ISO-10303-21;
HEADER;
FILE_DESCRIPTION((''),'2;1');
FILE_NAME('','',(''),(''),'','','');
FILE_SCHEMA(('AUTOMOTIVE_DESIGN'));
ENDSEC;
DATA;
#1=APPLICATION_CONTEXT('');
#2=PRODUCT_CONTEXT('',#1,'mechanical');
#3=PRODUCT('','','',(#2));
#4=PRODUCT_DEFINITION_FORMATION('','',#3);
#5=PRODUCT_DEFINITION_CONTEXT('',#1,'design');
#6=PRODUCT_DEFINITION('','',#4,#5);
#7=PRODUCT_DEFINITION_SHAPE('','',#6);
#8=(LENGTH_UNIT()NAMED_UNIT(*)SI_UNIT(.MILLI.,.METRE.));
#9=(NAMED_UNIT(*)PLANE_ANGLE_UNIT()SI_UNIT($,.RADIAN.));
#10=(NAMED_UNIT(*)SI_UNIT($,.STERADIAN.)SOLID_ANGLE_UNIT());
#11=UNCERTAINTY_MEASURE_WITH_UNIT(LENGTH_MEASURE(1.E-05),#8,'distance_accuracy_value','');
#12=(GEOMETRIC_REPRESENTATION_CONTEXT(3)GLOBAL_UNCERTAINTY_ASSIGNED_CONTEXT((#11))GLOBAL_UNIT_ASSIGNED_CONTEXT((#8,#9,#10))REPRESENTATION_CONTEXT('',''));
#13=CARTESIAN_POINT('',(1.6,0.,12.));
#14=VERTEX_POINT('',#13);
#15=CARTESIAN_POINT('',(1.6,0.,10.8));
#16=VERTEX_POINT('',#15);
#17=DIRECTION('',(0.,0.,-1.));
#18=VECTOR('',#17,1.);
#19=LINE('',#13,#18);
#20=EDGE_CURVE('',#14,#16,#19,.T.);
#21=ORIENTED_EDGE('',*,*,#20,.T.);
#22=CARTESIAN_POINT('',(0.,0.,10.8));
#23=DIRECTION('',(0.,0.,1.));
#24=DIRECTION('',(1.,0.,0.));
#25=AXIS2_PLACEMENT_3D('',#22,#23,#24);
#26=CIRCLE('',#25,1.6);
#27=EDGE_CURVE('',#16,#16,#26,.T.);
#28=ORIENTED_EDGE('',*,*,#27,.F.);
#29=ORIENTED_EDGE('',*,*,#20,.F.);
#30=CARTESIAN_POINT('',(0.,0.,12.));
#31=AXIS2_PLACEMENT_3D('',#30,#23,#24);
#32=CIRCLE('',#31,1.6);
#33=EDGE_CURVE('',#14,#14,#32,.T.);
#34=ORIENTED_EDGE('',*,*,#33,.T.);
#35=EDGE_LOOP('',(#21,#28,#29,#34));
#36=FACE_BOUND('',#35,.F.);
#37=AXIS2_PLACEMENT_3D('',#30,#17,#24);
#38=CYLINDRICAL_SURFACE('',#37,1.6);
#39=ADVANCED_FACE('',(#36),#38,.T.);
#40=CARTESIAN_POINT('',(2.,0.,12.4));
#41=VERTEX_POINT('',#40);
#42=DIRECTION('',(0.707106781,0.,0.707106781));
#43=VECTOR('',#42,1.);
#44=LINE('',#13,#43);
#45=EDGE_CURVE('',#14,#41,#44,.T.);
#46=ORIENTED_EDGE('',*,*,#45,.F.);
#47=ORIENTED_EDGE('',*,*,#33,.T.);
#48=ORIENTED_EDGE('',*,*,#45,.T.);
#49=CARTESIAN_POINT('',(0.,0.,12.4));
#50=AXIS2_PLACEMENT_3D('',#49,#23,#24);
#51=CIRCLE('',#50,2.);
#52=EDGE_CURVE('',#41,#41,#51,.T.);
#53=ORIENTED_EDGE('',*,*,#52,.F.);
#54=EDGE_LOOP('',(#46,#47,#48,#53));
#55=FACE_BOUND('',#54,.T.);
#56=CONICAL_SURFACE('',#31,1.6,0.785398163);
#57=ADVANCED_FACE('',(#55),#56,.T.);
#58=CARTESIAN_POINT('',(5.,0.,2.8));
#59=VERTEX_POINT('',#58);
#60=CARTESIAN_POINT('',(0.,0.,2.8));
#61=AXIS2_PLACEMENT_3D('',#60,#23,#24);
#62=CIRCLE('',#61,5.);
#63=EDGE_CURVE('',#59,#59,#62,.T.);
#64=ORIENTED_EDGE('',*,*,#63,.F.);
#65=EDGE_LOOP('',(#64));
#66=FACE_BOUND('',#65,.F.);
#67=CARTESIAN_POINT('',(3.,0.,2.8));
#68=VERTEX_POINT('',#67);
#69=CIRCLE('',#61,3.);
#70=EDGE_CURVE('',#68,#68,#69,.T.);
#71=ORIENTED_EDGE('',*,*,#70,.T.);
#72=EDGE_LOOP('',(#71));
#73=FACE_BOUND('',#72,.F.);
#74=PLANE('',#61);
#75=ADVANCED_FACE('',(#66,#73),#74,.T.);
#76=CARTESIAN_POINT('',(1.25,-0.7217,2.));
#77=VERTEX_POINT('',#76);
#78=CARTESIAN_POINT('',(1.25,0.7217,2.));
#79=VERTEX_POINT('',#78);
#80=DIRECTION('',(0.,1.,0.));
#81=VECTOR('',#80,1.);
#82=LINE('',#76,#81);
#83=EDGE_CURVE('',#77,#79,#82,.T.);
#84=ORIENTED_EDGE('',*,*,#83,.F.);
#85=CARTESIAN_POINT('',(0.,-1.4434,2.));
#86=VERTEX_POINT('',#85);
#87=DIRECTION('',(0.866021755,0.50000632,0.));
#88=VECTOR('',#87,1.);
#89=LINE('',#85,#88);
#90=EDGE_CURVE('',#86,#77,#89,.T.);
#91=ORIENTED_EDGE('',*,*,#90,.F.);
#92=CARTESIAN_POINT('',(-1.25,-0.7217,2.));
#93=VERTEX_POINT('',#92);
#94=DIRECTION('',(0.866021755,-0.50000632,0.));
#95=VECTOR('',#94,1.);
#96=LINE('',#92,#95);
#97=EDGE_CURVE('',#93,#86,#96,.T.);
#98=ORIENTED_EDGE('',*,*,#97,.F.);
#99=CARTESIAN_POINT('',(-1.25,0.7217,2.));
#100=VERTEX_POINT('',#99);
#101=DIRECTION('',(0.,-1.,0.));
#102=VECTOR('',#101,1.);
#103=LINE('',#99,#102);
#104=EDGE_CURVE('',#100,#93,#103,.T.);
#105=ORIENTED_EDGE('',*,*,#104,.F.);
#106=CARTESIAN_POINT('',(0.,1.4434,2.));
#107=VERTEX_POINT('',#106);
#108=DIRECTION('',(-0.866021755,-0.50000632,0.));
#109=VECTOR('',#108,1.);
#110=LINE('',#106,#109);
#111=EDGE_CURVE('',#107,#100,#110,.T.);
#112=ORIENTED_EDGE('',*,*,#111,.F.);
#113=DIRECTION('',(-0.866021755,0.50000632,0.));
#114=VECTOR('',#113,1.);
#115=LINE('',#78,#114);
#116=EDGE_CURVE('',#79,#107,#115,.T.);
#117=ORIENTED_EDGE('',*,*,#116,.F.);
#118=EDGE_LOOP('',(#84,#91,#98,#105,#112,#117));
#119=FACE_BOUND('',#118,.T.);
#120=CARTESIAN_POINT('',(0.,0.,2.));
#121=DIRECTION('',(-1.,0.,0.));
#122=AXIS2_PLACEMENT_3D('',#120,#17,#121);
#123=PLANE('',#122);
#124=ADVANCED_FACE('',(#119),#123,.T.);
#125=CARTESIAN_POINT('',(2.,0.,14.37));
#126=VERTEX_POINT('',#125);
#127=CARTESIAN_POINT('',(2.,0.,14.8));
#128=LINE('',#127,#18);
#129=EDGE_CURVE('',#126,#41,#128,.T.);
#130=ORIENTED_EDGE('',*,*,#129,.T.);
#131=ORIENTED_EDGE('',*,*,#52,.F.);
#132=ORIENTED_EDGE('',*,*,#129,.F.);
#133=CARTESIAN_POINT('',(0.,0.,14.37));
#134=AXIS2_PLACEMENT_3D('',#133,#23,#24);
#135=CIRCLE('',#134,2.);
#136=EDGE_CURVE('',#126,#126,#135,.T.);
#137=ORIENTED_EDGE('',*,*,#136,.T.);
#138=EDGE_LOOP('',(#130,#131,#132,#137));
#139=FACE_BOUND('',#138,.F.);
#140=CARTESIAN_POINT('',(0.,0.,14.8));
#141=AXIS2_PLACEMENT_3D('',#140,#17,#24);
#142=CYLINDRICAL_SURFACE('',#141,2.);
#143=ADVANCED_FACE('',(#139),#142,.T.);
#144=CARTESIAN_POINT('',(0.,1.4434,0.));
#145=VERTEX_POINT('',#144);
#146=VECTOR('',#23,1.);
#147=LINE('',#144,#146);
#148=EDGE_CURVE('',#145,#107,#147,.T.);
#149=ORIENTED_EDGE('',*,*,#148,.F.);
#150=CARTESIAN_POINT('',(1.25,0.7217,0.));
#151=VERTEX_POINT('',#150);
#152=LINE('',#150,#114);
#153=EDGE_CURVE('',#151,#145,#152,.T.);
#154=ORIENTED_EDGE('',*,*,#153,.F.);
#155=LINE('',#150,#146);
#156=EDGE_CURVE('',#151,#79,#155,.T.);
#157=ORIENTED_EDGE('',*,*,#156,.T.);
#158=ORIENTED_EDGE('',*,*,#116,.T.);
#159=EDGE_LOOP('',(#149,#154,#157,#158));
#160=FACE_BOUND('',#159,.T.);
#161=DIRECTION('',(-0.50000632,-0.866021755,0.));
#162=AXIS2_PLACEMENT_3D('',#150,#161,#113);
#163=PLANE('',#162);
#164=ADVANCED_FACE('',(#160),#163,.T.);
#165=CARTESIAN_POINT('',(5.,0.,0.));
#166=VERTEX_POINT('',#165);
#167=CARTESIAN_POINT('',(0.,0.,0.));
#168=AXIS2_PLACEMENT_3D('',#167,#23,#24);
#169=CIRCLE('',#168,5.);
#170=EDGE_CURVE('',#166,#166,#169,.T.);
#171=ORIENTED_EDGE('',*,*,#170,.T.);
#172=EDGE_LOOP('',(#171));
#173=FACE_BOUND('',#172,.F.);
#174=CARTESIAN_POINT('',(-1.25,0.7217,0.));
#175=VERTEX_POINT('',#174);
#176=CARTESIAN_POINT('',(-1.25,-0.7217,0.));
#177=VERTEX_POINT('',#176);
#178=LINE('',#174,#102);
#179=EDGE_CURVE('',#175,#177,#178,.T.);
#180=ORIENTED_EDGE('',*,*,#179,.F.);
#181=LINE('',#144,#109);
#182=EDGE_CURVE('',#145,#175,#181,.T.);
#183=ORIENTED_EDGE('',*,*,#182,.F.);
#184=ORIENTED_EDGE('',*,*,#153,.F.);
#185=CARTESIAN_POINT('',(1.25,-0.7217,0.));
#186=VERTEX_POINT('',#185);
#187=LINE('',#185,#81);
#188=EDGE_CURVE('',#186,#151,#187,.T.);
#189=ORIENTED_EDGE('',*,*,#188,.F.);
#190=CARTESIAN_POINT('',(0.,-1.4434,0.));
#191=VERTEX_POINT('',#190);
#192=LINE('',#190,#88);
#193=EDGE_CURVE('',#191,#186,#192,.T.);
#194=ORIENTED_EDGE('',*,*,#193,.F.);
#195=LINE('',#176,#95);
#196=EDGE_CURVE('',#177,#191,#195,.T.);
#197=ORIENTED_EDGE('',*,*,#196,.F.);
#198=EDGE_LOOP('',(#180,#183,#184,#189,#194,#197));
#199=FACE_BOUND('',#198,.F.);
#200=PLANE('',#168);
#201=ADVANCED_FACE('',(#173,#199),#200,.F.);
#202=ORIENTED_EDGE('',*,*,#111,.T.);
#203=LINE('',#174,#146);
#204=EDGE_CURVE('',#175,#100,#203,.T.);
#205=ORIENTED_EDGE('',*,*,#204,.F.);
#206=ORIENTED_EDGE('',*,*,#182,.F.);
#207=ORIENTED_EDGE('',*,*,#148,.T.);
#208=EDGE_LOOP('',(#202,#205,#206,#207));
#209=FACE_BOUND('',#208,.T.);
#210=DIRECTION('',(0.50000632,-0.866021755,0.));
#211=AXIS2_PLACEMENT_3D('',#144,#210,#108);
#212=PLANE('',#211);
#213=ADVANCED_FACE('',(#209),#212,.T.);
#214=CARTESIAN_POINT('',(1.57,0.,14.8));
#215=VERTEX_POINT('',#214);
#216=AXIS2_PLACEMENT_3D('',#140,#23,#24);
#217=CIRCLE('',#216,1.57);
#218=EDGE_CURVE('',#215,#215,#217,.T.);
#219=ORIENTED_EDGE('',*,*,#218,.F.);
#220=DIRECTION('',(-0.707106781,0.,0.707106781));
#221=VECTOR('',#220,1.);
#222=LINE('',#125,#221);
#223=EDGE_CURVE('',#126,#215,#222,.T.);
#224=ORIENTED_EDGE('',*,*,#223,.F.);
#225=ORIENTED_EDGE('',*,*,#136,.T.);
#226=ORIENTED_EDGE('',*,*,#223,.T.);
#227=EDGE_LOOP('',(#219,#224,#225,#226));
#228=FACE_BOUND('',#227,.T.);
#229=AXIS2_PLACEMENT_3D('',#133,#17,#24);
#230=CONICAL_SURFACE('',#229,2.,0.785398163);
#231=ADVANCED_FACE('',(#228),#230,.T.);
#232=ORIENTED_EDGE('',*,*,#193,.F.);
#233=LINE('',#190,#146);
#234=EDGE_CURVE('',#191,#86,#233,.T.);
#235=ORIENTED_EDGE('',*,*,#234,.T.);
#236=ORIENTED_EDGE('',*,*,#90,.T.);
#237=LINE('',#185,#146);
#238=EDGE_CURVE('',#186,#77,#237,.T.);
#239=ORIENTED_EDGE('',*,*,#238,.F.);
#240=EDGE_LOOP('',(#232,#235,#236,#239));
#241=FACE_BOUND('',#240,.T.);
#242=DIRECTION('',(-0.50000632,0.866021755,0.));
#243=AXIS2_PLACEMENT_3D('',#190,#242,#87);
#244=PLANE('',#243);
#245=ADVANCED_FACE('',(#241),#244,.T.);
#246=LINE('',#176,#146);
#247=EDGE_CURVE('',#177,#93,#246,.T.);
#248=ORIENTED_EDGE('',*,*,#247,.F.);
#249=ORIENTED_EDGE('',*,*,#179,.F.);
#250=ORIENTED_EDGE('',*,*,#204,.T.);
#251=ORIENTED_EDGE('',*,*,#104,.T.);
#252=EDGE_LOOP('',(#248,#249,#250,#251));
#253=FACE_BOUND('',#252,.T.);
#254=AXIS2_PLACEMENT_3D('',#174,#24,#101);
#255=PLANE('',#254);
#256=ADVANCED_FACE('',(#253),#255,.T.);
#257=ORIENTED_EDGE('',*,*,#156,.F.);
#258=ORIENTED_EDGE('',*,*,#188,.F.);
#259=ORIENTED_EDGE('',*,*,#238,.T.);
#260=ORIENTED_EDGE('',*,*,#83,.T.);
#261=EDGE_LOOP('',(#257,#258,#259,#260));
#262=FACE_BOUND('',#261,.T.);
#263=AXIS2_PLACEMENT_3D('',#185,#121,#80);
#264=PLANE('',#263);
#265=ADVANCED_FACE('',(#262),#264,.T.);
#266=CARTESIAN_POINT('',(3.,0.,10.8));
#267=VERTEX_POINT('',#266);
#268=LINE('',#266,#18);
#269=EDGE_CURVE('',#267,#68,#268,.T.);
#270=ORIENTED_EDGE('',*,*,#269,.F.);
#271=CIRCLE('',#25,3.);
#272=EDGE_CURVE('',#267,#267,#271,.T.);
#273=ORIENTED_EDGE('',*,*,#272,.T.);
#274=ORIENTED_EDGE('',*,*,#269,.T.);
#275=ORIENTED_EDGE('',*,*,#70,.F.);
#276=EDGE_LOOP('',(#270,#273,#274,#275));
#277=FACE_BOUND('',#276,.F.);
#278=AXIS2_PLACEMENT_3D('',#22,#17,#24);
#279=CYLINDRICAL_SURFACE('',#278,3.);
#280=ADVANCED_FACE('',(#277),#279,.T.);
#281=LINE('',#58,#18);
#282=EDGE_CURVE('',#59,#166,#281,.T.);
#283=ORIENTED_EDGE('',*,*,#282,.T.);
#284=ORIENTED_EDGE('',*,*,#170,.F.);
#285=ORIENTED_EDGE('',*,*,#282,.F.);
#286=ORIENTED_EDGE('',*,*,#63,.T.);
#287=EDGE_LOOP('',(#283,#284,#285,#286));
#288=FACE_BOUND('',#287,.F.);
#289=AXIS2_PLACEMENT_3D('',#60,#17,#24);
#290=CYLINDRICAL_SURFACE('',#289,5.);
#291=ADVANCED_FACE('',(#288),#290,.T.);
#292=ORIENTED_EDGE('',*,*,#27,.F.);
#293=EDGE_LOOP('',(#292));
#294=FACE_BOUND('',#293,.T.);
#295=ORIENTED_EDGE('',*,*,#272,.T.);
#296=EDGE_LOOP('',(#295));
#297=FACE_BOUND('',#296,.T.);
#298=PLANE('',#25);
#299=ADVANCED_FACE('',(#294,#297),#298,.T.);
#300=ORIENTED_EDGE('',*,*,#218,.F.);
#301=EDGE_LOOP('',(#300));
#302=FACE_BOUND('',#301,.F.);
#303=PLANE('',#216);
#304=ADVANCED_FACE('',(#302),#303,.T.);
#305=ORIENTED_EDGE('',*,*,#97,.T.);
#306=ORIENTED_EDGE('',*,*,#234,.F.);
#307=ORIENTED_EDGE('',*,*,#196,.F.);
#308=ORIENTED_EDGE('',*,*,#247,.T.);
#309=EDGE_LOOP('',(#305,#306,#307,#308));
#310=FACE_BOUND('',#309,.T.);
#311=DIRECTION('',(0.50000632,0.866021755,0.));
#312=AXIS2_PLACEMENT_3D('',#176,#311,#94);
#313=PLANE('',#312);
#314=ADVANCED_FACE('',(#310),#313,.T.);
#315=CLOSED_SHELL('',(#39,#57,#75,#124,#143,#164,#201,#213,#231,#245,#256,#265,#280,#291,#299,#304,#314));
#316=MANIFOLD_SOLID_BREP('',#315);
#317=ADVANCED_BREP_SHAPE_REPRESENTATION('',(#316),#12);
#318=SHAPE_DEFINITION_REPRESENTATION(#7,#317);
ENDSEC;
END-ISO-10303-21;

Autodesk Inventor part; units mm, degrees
ref_plane "YZ Plane" through (0, 0, 0) normal (1, 0, 0) x (0, 1, 0)
ref_plane "XZ Plane" through (0, 0, 0) normal (0, 1, 0) x (-1, 0, 0)
ref_plane "XY Plane" through (0, 0, 0) normal (0, 0, 1) x (1, 0, 0)
sketch "Sketch1" plane through (0, 0, 0) normal (0, 1, 0) x (-1, 0, 0)
  line L0 (0, 0) -> (0, 14.8)
  line L1 (0, 14.8) -> (-2, 14.8)
  line L2 (-2, 14.8) -> (-2, 12.4)
  line L3 (-3, 10.8) -> (-3, 2.8)
  line L4 (-3, 2.8) -> (-5, 2.8)
  line L5 (-5, 2.8) -> (-5, 0)
  line L6 (-5, 0) -> (0, 0)
  line L7 (-1.6, 12) -> (-1.6, 10.8)
  line L8 (-3, 10.8) -> (-1.6, 10.8)
  line L9 (-1.6, 12) -> (-2, 12.4)
  dimension "d0" = 10
  dimension "d1" = 6
  dimension "d2" = 4
  dimension "d4" = 8
  dimension "d5" = 2.8
  dimension "d15" = 4
  dimension "d16" = 3.2
  dimension "d17" = 1.2
  dimension "d18" = 45
revolve "Revolution1" add sketch "Sketch1" angle 360 about axis through (0, 0, 0) along (0, 0, 1)
thread "Thread1" size "M4x0.7" class "6g" standard "ANSI Metric M Profile" length 6
sketch "Sketch2" plane through (0, 0, 0) normal (0, 0, -1) x (-1, 0, 0)
  line L0 (0, 1.4434) -> (1.25, 0.7217)
  line L1 (1.25, 0.7217) -> (1.25, -0.7217)
  line L2 (1.25, -0.7217) -> (0, -1.4434)
  line L3 (0, -1.4434) -> (-1.25, -0.7217)
  line L4 (-1.25, -0.7217) -> (-1.25, 0.7217)
  line L5 (-1.25, 0.7217) -> (0, 1.4434)
  point P0 (0, 0)
  point P1 (0, 0)
  dimension "d9" = 2.5
extrude "Extrusion1" cut sketch "Sketch2" against normal blind 2
chamfer "Chamfer1" distance 0.43 angle 45 1 edges at (-2, 0, 14.8)
properties part number "DBTSY4-8-4-DHC-PC" material "Stainless Steel AISI 304"
